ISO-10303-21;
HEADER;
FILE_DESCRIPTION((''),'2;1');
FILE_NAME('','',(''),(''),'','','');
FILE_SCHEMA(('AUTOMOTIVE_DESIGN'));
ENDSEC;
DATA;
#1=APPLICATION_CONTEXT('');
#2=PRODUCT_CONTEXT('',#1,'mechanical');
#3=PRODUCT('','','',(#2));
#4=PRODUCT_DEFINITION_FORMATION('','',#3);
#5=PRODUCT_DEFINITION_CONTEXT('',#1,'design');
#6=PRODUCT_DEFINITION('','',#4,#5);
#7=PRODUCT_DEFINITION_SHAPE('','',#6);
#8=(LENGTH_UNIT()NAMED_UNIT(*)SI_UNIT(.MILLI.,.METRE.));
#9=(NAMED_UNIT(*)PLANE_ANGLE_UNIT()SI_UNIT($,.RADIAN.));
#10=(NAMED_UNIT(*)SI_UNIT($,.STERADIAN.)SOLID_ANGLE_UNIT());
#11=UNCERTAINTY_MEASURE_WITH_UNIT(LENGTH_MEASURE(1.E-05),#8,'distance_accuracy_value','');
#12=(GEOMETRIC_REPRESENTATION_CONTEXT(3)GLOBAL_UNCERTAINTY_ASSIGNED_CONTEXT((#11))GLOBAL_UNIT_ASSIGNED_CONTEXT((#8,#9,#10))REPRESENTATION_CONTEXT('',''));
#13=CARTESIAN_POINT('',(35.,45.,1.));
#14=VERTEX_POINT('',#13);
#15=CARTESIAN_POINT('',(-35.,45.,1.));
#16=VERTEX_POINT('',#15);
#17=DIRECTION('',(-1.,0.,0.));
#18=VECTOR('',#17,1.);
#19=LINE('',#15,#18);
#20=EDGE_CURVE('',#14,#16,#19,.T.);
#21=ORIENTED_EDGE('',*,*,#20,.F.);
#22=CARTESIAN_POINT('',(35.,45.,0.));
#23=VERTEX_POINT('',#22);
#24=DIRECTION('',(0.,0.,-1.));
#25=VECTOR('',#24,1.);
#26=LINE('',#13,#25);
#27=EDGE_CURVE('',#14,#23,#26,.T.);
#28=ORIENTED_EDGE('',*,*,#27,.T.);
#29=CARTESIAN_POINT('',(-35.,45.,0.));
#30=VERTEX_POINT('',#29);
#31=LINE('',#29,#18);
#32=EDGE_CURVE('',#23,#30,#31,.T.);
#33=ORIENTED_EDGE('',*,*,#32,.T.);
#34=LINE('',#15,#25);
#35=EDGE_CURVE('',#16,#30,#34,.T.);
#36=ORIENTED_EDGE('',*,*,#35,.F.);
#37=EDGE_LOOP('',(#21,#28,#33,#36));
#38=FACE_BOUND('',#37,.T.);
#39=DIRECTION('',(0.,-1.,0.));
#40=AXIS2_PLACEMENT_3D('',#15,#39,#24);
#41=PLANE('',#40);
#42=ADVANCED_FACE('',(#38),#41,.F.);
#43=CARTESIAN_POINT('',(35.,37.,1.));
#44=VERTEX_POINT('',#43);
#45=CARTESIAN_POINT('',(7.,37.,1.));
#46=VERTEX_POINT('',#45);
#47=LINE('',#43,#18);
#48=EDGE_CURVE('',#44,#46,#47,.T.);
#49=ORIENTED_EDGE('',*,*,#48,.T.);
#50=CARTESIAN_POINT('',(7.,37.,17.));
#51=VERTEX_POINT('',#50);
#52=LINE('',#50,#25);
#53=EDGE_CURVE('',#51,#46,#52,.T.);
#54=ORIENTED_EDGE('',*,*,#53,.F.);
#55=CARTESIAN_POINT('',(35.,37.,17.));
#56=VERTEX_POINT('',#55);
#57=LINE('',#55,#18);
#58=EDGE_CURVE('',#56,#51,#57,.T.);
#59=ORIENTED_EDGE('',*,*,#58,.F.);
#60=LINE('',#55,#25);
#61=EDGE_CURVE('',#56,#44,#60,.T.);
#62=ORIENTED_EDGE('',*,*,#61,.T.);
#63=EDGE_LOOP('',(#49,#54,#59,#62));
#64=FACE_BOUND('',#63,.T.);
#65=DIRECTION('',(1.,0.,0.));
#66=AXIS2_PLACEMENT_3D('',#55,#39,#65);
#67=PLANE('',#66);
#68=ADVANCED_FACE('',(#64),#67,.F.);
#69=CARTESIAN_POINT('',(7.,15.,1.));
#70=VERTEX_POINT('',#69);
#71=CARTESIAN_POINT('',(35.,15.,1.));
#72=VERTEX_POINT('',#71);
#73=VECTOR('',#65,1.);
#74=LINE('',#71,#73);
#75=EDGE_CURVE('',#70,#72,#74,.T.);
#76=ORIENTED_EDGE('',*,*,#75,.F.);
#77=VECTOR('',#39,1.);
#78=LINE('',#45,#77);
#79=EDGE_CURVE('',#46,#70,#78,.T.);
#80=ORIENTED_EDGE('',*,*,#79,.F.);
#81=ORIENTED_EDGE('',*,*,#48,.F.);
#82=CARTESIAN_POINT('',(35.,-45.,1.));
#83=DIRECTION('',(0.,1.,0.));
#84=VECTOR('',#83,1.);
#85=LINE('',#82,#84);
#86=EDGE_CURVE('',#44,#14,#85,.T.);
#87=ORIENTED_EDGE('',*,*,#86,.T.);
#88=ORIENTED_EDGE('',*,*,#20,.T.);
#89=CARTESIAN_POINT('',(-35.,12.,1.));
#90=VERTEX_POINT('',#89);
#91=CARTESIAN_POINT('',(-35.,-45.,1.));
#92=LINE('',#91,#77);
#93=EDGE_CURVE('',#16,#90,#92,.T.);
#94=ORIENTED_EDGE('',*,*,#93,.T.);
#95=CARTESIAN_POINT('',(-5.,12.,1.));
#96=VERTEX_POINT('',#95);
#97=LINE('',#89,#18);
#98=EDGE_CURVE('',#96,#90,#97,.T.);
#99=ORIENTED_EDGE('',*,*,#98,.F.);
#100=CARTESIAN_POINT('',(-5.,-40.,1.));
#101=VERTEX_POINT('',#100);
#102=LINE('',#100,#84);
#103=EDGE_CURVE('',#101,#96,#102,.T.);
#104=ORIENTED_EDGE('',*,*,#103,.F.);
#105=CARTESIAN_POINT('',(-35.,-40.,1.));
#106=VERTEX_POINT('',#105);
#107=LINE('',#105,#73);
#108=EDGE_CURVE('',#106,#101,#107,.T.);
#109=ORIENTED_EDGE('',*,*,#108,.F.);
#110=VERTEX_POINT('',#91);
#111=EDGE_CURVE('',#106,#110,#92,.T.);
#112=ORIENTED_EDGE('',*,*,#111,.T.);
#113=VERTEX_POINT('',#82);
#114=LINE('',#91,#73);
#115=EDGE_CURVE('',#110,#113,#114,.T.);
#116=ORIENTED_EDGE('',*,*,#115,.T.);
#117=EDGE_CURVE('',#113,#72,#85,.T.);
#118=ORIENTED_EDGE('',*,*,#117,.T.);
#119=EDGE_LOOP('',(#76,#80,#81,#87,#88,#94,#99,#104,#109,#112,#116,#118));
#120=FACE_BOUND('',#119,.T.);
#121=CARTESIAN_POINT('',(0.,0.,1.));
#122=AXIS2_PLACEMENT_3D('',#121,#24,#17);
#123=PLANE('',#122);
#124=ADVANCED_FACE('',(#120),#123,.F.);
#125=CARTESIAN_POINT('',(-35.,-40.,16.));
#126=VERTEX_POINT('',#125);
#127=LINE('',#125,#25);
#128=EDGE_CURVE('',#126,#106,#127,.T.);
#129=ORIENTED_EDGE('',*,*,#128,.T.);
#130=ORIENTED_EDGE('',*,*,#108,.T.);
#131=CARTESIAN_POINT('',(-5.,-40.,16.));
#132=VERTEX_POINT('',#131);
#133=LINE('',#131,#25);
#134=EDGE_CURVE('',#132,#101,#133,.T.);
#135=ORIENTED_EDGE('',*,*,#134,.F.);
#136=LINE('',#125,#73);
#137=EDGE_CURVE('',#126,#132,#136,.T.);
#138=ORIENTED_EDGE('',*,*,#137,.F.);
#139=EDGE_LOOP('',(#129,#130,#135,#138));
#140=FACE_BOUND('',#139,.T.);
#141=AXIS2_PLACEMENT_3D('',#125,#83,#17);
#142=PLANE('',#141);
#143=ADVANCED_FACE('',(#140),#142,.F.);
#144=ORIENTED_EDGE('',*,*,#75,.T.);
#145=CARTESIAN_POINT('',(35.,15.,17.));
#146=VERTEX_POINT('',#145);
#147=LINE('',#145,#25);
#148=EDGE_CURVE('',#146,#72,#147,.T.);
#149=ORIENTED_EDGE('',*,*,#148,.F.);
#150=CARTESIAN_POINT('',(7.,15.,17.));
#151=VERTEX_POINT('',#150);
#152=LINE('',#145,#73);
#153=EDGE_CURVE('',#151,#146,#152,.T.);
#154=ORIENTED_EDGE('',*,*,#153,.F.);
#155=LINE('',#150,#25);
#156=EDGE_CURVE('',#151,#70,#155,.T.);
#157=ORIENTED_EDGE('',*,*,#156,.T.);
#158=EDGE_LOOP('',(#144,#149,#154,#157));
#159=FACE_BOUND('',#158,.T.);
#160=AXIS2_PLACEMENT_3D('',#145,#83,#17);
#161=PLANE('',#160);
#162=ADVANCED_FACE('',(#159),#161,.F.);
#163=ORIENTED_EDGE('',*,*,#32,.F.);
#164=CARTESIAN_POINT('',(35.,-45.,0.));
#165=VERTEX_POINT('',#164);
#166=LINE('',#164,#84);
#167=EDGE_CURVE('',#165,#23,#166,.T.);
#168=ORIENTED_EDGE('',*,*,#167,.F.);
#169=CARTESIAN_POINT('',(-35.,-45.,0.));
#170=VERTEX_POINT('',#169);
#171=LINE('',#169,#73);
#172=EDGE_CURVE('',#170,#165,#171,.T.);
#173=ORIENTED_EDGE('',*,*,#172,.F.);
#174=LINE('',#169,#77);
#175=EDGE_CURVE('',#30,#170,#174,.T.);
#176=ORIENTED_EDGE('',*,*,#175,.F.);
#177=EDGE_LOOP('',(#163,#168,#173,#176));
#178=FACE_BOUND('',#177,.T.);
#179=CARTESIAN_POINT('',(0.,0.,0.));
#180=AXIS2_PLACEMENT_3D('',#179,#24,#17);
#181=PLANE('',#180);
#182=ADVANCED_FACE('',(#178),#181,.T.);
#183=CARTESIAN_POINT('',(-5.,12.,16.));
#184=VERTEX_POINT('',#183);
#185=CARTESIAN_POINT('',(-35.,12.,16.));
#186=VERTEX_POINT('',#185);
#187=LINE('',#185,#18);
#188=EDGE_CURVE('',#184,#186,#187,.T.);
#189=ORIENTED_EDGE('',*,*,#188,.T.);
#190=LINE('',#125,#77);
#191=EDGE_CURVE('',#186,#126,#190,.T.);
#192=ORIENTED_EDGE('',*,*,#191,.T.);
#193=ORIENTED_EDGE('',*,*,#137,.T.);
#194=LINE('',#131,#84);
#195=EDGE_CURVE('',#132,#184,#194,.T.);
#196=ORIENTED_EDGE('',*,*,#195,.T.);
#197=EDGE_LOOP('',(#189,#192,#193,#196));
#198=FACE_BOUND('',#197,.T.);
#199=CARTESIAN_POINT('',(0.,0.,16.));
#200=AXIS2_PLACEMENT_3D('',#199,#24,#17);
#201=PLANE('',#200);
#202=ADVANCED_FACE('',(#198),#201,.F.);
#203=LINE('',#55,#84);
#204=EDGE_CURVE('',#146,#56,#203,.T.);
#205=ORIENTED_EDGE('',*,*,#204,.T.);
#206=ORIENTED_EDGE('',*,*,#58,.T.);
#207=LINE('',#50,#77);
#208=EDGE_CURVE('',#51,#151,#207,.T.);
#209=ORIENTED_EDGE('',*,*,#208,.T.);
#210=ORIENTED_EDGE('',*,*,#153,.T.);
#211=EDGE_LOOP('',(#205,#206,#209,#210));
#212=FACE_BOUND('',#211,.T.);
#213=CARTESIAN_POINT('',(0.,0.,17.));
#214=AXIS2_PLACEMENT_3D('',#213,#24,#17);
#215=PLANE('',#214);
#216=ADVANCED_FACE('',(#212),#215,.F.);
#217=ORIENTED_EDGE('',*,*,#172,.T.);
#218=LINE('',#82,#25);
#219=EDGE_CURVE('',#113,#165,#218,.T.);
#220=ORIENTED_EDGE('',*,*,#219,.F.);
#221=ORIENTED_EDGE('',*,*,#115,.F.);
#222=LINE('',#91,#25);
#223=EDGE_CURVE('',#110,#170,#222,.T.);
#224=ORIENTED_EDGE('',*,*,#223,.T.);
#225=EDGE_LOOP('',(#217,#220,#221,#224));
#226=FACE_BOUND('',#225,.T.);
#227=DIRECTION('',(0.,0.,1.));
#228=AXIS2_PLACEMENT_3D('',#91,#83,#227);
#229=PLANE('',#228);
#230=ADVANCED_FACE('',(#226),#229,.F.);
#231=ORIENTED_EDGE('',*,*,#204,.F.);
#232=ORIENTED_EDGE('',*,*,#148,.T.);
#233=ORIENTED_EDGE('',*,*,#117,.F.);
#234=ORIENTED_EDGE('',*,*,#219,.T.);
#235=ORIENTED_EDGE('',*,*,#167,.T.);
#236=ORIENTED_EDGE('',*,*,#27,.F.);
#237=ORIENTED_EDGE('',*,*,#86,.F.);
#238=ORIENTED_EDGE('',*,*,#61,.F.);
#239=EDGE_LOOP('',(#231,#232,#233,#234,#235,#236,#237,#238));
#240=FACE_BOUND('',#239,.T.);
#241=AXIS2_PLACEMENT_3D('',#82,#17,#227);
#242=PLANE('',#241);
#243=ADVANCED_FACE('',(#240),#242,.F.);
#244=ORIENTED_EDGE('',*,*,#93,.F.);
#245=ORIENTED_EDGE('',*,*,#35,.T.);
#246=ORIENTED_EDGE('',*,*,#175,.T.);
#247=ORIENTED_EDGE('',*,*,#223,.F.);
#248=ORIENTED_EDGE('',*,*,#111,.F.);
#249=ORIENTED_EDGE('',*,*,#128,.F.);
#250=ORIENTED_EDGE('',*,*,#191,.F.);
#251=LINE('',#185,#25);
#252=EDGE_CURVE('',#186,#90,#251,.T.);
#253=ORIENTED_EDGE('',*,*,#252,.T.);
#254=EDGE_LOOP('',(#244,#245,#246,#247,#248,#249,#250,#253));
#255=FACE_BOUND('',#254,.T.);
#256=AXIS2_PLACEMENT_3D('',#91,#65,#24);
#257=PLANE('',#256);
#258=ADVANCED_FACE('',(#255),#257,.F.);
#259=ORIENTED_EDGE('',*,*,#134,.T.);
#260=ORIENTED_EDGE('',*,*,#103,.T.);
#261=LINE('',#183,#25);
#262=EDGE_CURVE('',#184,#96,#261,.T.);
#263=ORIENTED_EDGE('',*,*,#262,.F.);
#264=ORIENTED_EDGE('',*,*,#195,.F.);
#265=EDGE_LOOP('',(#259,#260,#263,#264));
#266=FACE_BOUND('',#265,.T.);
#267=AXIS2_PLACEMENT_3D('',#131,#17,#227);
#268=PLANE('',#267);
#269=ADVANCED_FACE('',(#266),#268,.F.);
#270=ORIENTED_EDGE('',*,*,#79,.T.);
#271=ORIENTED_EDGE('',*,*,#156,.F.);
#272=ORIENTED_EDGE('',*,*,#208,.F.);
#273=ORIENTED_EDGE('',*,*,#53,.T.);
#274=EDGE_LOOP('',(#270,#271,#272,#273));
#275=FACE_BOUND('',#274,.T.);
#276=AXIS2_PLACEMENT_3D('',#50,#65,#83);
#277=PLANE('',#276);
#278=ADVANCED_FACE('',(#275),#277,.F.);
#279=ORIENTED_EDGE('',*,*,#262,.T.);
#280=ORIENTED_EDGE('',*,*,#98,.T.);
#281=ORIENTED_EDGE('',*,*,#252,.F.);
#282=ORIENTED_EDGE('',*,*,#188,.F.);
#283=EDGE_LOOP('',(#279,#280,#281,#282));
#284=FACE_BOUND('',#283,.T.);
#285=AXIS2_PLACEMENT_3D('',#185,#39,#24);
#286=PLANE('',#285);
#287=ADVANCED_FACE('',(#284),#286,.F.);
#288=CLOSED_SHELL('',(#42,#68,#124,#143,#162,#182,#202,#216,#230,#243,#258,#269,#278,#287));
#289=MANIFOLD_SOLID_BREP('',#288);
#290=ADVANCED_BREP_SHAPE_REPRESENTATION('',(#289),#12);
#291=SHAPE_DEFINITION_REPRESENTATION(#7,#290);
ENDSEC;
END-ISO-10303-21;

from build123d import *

# Parameters (mm, degrees)
SKETCH2_W           = 70
SKETCH2_H           = 90
BOSS_EXTRUDE1_DEPTH = 1
SKETCH3_W           = 28
SKETCH3_H           = 22
BOSS_EXTRUDE2_DEPTH = 16
SKETCH4_W           = 30
SKETCH4_H           = 52
BOSS_EXTRUDE3_DEPTH = 15


with BuildPart() as part:
    # Sketch2 → Boss-Extrude1 (new body)
    with BuildSketch(Plane.XY):
        Rectangle(SKETCH2_W, SKETCH2_H)
    extrude(amount=BOSS_EXTRUDE1_DEPTH)

    # Sketch3 → Boss-Extrude2 (add)
    with BuildSketch(Plane.XY.offset(1)):
        with Locations((21, 26)):
            Rectangle(SKETCH3_W, SKETCH3_H)
    extrude(amount=BOSS_EXTRUDE2_DEPTH)

    # Sketch4 → Boss-Extrude3 (add)
    with BuildSketch(Plane.XY.offset(1)):
        with Locations((-20, -14)):
            Rectangle(SKETCH4_W, SKETCH4_H)
    extrude(amount=BOSS_EXTRUDE3_DEPTH)


solid = part.part
